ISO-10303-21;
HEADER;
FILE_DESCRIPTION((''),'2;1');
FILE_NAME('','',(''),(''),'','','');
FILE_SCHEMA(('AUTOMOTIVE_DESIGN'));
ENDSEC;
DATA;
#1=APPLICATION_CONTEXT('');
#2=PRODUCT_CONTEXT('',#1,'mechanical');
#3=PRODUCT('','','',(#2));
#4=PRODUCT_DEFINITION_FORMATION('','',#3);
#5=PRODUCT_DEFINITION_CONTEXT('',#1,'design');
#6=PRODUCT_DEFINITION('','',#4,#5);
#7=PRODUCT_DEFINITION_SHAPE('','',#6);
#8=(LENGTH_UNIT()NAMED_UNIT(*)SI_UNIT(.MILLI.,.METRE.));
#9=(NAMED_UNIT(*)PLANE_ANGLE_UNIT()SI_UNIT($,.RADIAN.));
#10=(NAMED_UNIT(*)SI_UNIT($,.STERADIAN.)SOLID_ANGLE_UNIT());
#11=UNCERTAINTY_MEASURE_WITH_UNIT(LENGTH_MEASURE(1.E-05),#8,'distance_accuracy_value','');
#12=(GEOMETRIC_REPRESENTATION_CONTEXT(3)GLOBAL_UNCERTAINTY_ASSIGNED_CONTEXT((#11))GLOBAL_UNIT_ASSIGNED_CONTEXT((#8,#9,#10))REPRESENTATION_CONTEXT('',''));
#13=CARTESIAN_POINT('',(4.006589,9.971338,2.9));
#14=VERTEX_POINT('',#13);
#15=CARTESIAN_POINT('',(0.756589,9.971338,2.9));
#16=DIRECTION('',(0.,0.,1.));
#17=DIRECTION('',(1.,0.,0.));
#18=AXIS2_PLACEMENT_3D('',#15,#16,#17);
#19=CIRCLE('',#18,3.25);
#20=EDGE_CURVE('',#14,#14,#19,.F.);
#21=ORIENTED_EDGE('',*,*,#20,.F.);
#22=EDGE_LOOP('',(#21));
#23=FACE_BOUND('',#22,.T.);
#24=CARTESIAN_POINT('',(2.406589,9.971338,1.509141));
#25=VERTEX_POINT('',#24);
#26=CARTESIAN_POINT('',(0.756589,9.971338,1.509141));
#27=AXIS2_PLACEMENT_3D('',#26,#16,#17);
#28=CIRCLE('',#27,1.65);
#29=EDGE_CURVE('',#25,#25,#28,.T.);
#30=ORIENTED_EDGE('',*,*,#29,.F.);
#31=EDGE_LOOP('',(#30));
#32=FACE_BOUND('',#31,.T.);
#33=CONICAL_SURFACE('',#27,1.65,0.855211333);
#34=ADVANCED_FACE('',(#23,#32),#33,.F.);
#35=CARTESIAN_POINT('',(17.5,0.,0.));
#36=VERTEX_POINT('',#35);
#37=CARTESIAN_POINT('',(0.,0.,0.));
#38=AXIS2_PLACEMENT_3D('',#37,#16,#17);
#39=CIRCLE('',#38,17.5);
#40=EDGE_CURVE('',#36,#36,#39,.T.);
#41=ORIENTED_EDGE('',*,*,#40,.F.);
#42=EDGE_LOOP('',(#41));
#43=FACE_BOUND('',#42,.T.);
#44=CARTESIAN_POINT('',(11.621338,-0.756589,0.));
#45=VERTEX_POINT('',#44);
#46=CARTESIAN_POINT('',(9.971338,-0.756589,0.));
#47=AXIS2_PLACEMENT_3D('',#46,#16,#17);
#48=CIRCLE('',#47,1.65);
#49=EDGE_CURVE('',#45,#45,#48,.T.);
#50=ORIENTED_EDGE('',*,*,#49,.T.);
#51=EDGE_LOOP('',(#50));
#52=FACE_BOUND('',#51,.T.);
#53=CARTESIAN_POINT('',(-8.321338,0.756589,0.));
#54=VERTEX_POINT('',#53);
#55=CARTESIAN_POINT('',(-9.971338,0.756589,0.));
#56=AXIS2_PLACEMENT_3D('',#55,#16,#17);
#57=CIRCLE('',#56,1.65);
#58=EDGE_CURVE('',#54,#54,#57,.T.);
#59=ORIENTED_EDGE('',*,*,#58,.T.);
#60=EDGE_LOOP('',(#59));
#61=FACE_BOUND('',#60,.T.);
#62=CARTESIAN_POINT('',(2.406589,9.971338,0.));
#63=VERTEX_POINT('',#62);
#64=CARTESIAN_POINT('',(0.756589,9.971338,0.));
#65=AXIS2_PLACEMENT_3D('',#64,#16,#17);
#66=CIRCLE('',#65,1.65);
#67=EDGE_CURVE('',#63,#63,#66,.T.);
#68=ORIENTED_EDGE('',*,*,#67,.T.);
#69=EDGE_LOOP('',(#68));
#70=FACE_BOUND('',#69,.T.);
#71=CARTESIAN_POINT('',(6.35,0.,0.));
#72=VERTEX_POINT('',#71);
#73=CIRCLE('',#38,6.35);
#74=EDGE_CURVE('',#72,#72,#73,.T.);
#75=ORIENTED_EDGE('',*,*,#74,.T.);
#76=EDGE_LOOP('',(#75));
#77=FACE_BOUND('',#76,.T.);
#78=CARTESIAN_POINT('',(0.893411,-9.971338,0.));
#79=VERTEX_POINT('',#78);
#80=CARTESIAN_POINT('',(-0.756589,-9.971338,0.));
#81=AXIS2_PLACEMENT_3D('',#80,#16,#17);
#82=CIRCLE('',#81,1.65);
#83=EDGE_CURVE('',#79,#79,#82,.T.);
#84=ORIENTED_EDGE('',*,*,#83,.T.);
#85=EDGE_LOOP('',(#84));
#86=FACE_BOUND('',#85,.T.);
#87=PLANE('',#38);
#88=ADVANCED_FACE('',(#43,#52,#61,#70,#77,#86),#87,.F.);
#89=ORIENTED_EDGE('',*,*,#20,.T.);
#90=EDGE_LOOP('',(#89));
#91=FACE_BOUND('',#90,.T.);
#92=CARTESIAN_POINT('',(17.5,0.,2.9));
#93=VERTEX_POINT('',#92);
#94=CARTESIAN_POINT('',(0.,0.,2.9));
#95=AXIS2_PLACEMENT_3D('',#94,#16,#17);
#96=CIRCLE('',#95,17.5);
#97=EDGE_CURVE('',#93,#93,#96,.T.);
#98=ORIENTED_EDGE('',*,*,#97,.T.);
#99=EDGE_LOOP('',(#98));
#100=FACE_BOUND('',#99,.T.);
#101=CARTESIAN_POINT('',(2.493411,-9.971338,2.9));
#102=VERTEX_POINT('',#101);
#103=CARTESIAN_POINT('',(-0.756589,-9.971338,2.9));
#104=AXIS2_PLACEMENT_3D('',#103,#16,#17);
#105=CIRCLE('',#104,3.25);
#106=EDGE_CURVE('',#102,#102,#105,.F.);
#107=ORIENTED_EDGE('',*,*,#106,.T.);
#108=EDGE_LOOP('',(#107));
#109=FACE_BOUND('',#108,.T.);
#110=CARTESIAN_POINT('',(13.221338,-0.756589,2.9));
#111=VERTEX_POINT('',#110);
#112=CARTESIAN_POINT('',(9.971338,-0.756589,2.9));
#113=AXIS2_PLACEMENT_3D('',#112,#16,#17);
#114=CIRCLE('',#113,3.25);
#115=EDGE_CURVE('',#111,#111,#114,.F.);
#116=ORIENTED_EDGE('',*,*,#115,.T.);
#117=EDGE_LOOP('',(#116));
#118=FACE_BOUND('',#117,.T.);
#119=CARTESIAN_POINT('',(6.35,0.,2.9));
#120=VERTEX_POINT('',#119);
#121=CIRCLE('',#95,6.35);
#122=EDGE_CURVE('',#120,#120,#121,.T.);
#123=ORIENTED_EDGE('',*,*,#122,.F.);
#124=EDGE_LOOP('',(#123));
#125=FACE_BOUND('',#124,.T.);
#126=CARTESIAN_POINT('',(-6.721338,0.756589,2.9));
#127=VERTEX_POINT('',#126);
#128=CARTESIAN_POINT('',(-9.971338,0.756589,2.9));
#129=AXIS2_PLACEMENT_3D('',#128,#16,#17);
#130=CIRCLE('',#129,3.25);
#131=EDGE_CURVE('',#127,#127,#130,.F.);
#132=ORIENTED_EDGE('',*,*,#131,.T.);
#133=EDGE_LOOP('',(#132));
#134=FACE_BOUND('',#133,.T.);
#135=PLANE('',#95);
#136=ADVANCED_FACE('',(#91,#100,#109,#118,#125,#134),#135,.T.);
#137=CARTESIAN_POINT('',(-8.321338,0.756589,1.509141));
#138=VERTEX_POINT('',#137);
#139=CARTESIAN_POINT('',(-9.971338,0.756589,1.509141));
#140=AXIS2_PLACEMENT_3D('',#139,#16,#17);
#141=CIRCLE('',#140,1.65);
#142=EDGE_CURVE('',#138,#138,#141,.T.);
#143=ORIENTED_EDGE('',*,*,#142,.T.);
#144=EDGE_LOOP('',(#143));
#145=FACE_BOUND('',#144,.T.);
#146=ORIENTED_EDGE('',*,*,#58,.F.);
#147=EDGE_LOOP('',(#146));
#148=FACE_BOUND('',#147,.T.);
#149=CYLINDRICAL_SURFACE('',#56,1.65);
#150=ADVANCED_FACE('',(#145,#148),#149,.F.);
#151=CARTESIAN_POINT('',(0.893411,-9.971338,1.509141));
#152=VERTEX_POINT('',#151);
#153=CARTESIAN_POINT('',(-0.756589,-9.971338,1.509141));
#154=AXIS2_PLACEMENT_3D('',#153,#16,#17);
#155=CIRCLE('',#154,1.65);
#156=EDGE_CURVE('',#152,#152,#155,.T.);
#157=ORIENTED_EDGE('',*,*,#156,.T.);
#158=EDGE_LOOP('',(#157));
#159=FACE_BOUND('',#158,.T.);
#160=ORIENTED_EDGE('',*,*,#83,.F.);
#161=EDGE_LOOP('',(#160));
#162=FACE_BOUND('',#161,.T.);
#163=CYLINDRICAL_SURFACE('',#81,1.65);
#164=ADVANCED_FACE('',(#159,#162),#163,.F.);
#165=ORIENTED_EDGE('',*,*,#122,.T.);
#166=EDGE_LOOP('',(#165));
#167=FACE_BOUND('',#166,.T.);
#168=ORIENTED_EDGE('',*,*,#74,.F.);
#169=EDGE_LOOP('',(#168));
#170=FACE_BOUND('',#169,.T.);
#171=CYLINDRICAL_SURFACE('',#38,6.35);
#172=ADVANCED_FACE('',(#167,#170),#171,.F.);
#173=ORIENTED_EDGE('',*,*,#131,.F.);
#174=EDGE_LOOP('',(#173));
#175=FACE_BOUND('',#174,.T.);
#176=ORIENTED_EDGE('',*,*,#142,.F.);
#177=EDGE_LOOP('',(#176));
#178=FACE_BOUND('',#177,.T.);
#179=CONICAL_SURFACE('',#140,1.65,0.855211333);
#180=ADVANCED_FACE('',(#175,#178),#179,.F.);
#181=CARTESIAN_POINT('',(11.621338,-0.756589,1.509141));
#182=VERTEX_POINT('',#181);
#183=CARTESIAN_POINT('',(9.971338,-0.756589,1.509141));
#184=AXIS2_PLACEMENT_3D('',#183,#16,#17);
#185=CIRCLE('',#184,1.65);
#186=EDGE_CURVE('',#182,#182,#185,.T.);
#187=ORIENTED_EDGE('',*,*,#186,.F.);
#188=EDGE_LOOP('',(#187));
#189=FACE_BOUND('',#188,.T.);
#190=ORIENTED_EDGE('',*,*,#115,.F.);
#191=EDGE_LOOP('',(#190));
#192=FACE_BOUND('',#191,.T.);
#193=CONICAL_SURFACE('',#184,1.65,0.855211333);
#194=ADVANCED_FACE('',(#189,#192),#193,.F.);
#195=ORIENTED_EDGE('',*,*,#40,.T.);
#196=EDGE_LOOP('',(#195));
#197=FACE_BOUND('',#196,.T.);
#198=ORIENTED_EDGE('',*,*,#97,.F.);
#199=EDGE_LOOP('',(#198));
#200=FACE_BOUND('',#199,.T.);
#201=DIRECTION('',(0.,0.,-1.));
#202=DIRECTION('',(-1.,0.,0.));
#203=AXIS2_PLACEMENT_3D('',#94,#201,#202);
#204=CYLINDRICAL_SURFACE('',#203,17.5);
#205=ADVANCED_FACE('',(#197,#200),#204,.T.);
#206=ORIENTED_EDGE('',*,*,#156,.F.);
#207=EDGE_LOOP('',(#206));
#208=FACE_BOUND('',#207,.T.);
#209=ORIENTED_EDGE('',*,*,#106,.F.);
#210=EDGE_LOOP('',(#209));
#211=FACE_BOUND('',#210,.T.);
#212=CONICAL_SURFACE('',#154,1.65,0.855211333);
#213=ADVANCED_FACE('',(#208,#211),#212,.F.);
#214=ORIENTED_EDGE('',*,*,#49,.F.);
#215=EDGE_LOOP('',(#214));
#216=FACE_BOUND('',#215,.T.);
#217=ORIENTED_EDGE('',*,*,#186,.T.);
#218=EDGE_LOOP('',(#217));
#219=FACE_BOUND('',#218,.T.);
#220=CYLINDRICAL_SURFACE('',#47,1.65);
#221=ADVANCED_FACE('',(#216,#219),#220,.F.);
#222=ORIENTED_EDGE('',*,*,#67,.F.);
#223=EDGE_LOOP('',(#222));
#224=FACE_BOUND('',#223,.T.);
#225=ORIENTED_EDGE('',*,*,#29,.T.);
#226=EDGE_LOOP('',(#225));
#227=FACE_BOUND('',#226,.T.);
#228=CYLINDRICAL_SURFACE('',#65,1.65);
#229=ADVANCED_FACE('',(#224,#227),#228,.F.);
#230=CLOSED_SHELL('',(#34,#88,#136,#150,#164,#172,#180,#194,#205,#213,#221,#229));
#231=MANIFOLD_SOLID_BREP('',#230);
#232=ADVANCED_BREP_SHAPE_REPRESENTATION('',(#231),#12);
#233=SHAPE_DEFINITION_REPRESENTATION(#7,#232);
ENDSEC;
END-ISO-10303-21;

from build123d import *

# Parameters (mm, degrees)
SKETCH1_R           = 17.5
BOSS_EXTRUDE1_DEPTH = 2.9
SKETCH2_R           = 1.65
CUT_EXTRUDE1_DEPTH  = 25.918065736
CHAMFER1_SIZE       = 1.6
CHAMFER1_SIZE2      = 1.390858781
SKETCH3_R           = 6.35
CUT_EXTRUDE2_DEPTH  = 25.918065736


with BuildPart() as part:
    # Sketch1 → Boss-Extrude1 (new body)
    with BuildSketch(Plane.XY):
        Circle(SKETCH1_R)
    extrude(amount=BOSS_EXTRUDE1_DEPTH)

    # Sketch2 → Cut-Extrude1 (cut, through all)
    with BuildSketch(Plane.XY.offset(2.9)):
        with Locations((-9.971337593, 0.756588791)):
            Circle(SKETCH2_R)
        with Locations((-0.756588791, -9.971337593)):
            Circle(SKETCH2_R)
        with Locations((9.971337593, -0.756588791)):
            Circle(SKETCH2_R)
        with Locations((0.756588791, 9.971337593)):
            Circle(SKETCH2_R)
    extrude(amount=-CUT_EXTRUDE1_DEPTH, mode=Mode.SUBTRACT)

    # Chamfer1
    chamfer1_edges = [part.edges().sort_by_distance(p)[0] for p in [
        (-2.406588791, -9.971337593, 2.9),
        (8.321337593, -0.756588791, 2.9),
        (-0.893411209, 9.971337593, 2.9),
        (-11.621337593, 0.756588791, 2.9),
    ]]
    chamfer1_side = [part.faces().sort_by_distance(p)[0] for p in [
        (0, 0, 2.9),
    ]]
    chamfer(chamfer1_edges, length=CHAMFER1_SIZE, length2=CHAMFER1_SIZE2, reference=chamfer1_side[0])

    # Sketch3 → Cut-Extrude2 (cut, through all)
    with BuildSketch(Plane.XY.offset(2.9)):
        Circle(SKETCH3_R)
    extrude(amount=-CUT_EXTRUDE2_DEPTH, mode=Mode.SUBTRACT)


solid = part.part
